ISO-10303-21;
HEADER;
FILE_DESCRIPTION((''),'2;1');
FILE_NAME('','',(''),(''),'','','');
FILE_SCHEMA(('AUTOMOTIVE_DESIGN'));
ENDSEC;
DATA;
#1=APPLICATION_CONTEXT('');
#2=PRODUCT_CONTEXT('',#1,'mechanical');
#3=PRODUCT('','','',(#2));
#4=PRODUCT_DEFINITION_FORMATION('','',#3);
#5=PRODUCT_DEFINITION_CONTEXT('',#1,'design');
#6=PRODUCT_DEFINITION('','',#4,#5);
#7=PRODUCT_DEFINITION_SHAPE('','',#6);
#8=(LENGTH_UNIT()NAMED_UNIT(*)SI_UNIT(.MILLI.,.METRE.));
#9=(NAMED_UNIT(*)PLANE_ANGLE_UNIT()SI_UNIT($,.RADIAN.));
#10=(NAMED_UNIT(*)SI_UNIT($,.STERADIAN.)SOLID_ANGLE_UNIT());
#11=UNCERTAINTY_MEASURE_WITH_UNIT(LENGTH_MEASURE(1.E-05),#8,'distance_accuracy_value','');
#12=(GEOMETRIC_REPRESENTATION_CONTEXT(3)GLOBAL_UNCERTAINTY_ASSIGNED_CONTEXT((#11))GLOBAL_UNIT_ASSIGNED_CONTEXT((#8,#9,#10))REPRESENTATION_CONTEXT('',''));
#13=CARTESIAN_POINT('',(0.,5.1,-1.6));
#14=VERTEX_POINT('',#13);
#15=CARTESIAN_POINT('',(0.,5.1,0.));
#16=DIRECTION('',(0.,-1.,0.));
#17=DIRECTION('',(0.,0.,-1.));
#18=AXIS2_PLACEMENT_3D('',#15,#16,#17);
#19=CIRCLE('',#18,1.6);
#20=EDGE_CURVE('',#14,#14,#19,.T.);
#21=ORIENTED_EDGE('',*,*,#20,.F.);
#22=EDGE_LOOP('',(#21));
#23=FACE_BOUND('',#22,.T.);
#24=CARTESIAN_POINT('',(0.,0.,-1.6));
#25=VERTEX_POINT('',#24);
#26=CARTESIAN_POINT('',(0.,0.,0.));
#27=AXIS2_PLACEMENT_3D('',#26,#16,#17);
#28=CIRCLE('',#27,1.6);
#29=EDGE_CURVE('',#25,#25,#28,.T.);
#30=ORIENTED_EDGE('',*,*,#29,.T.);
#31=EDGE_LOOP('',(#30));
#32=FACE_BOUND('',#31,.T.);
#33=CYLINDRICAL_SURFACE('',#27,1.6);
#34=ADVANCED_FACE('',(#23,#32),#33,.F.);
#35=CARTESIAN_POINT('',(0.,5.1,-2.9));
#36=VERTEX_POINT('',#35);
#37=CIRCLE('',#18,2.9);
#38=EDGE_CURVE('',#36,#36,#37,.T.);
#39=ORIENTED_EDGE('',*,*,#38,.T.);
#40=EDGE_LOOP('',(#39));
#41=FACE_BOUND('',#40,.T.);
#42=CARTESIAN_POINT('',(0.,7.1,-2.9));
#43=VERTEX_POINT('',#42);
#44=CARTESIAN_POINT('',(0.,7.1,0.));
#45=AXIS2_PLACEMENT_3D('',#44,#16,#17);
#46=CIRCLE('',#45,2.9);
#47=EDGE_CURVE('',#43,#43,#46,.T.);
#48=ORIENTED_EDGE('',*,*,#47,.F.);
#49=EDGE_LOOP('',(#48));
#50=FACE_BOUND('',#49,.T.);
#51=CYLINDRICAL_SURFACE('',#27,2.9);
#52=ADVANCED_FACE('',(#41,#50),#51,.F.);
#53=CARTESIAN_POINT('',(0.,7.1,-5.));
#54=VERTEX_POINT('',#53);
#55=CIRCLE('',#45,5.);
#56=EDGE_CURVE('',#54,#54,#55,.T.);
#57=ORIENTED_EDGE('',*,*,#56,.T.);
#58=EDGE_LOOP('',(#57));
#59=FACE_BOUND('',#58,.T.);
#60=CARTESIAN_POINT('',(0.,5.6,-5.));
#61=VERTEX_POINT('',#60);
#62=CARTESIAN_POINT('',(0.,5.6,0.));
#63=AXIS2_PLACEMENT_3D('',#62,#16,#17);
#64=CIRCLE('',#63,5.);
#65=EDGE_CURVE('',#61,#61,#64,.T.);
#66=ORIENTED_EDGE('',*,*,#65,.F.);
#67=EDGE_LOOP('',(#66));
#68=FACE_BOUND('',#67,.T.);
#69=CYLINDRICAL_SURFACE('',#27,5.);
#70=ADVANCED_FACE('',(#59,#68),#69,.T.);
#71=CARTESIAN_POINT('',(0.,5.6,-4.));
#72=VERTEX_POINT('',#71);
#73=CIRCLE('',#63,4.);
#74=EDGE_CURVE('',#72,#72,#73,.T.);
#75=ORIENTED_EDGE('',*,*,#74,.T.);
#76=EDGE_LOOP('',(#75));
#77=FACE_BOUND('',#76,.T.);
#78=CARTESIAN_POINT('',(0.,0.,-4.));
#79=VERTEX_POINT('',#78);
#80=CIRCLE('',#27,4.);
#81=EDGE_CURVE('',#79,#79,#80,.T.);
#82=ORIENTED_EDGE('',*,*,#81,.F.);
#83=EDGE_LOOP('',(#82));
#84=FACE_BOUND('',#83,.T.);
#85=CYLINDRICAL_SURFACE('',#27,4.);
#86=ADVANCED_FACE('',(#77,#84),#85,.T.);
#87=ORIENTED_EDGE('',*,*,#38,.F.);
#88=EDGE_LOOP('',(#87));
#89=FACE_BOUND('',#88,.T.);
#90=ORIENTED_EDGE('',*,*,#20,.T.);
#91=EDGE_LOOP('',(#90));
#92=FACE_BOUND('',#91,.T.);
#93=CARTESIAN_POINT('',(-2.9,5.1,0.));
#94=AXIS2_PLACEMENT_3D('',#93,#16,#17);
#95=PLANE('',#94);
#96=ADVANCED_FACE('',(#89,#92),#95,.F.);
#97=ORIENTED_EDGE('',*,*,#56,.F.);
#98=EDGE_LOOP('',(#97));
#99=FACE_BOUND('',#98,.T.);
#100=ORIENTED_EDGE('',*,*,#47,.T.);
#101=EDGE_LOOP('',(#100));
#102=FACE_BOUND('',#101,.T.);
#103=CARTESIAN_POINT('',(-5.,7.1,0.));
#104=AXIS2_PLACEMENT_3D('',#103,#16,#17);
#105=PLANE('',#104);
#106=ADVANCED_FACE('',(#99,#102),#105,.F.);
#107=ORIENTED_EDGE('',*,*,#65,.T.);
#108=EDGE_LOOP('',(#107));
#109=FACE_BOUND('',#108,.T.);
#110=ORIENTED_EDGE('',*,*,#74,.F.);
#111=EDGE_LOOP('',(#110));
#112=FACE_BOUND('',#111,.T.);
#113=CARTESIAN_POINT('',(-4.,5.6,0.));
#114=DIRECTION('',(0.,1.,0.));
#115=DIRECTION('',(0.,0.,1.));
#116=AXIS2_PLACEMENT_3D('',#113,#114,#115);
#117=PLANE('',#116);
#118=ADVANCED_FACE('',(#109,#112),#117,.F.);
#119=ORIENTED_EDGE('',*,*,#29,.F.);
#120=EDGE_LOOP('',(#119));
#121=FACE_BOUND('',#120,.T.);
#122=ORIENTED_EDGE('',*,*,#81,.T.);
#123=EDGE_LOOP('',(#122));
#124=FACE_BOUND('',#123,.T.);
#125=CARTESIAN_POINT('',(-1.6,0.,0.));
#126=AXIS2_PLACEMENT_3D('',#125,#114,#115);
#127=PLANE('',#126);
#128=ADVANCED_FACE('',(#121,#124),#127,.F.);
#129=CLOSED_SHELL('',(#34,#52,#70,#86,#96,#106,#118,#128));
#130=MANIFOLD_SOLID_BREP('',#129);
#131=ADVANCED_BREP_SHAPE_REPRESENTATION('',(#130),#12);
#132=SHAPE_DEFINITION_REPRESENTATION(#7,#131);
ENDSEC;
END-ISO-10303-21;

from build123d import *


with BuildPart() as part:
    # Sketch2 → Revolve2 (revolve)
    with BuildSketch(Plane.XY, mode=Mode.PRIVATE) as revolve2_sk:
        Polygon((-1.6, 0), (-4, 0), (-4, 5.6), (-5, 5.6), (-5, 7.1), (-2.9, 7.1), (-2.9, 5.1), (-1.6, 5.1), align=None)
    revolve(revolve2_sk.sketch.rotate(Axis((0, 0, 0), (0, 1, 0)), 270), axis=Axis((0, 0, 0), (0, 1, 0)))


solid = part.part
